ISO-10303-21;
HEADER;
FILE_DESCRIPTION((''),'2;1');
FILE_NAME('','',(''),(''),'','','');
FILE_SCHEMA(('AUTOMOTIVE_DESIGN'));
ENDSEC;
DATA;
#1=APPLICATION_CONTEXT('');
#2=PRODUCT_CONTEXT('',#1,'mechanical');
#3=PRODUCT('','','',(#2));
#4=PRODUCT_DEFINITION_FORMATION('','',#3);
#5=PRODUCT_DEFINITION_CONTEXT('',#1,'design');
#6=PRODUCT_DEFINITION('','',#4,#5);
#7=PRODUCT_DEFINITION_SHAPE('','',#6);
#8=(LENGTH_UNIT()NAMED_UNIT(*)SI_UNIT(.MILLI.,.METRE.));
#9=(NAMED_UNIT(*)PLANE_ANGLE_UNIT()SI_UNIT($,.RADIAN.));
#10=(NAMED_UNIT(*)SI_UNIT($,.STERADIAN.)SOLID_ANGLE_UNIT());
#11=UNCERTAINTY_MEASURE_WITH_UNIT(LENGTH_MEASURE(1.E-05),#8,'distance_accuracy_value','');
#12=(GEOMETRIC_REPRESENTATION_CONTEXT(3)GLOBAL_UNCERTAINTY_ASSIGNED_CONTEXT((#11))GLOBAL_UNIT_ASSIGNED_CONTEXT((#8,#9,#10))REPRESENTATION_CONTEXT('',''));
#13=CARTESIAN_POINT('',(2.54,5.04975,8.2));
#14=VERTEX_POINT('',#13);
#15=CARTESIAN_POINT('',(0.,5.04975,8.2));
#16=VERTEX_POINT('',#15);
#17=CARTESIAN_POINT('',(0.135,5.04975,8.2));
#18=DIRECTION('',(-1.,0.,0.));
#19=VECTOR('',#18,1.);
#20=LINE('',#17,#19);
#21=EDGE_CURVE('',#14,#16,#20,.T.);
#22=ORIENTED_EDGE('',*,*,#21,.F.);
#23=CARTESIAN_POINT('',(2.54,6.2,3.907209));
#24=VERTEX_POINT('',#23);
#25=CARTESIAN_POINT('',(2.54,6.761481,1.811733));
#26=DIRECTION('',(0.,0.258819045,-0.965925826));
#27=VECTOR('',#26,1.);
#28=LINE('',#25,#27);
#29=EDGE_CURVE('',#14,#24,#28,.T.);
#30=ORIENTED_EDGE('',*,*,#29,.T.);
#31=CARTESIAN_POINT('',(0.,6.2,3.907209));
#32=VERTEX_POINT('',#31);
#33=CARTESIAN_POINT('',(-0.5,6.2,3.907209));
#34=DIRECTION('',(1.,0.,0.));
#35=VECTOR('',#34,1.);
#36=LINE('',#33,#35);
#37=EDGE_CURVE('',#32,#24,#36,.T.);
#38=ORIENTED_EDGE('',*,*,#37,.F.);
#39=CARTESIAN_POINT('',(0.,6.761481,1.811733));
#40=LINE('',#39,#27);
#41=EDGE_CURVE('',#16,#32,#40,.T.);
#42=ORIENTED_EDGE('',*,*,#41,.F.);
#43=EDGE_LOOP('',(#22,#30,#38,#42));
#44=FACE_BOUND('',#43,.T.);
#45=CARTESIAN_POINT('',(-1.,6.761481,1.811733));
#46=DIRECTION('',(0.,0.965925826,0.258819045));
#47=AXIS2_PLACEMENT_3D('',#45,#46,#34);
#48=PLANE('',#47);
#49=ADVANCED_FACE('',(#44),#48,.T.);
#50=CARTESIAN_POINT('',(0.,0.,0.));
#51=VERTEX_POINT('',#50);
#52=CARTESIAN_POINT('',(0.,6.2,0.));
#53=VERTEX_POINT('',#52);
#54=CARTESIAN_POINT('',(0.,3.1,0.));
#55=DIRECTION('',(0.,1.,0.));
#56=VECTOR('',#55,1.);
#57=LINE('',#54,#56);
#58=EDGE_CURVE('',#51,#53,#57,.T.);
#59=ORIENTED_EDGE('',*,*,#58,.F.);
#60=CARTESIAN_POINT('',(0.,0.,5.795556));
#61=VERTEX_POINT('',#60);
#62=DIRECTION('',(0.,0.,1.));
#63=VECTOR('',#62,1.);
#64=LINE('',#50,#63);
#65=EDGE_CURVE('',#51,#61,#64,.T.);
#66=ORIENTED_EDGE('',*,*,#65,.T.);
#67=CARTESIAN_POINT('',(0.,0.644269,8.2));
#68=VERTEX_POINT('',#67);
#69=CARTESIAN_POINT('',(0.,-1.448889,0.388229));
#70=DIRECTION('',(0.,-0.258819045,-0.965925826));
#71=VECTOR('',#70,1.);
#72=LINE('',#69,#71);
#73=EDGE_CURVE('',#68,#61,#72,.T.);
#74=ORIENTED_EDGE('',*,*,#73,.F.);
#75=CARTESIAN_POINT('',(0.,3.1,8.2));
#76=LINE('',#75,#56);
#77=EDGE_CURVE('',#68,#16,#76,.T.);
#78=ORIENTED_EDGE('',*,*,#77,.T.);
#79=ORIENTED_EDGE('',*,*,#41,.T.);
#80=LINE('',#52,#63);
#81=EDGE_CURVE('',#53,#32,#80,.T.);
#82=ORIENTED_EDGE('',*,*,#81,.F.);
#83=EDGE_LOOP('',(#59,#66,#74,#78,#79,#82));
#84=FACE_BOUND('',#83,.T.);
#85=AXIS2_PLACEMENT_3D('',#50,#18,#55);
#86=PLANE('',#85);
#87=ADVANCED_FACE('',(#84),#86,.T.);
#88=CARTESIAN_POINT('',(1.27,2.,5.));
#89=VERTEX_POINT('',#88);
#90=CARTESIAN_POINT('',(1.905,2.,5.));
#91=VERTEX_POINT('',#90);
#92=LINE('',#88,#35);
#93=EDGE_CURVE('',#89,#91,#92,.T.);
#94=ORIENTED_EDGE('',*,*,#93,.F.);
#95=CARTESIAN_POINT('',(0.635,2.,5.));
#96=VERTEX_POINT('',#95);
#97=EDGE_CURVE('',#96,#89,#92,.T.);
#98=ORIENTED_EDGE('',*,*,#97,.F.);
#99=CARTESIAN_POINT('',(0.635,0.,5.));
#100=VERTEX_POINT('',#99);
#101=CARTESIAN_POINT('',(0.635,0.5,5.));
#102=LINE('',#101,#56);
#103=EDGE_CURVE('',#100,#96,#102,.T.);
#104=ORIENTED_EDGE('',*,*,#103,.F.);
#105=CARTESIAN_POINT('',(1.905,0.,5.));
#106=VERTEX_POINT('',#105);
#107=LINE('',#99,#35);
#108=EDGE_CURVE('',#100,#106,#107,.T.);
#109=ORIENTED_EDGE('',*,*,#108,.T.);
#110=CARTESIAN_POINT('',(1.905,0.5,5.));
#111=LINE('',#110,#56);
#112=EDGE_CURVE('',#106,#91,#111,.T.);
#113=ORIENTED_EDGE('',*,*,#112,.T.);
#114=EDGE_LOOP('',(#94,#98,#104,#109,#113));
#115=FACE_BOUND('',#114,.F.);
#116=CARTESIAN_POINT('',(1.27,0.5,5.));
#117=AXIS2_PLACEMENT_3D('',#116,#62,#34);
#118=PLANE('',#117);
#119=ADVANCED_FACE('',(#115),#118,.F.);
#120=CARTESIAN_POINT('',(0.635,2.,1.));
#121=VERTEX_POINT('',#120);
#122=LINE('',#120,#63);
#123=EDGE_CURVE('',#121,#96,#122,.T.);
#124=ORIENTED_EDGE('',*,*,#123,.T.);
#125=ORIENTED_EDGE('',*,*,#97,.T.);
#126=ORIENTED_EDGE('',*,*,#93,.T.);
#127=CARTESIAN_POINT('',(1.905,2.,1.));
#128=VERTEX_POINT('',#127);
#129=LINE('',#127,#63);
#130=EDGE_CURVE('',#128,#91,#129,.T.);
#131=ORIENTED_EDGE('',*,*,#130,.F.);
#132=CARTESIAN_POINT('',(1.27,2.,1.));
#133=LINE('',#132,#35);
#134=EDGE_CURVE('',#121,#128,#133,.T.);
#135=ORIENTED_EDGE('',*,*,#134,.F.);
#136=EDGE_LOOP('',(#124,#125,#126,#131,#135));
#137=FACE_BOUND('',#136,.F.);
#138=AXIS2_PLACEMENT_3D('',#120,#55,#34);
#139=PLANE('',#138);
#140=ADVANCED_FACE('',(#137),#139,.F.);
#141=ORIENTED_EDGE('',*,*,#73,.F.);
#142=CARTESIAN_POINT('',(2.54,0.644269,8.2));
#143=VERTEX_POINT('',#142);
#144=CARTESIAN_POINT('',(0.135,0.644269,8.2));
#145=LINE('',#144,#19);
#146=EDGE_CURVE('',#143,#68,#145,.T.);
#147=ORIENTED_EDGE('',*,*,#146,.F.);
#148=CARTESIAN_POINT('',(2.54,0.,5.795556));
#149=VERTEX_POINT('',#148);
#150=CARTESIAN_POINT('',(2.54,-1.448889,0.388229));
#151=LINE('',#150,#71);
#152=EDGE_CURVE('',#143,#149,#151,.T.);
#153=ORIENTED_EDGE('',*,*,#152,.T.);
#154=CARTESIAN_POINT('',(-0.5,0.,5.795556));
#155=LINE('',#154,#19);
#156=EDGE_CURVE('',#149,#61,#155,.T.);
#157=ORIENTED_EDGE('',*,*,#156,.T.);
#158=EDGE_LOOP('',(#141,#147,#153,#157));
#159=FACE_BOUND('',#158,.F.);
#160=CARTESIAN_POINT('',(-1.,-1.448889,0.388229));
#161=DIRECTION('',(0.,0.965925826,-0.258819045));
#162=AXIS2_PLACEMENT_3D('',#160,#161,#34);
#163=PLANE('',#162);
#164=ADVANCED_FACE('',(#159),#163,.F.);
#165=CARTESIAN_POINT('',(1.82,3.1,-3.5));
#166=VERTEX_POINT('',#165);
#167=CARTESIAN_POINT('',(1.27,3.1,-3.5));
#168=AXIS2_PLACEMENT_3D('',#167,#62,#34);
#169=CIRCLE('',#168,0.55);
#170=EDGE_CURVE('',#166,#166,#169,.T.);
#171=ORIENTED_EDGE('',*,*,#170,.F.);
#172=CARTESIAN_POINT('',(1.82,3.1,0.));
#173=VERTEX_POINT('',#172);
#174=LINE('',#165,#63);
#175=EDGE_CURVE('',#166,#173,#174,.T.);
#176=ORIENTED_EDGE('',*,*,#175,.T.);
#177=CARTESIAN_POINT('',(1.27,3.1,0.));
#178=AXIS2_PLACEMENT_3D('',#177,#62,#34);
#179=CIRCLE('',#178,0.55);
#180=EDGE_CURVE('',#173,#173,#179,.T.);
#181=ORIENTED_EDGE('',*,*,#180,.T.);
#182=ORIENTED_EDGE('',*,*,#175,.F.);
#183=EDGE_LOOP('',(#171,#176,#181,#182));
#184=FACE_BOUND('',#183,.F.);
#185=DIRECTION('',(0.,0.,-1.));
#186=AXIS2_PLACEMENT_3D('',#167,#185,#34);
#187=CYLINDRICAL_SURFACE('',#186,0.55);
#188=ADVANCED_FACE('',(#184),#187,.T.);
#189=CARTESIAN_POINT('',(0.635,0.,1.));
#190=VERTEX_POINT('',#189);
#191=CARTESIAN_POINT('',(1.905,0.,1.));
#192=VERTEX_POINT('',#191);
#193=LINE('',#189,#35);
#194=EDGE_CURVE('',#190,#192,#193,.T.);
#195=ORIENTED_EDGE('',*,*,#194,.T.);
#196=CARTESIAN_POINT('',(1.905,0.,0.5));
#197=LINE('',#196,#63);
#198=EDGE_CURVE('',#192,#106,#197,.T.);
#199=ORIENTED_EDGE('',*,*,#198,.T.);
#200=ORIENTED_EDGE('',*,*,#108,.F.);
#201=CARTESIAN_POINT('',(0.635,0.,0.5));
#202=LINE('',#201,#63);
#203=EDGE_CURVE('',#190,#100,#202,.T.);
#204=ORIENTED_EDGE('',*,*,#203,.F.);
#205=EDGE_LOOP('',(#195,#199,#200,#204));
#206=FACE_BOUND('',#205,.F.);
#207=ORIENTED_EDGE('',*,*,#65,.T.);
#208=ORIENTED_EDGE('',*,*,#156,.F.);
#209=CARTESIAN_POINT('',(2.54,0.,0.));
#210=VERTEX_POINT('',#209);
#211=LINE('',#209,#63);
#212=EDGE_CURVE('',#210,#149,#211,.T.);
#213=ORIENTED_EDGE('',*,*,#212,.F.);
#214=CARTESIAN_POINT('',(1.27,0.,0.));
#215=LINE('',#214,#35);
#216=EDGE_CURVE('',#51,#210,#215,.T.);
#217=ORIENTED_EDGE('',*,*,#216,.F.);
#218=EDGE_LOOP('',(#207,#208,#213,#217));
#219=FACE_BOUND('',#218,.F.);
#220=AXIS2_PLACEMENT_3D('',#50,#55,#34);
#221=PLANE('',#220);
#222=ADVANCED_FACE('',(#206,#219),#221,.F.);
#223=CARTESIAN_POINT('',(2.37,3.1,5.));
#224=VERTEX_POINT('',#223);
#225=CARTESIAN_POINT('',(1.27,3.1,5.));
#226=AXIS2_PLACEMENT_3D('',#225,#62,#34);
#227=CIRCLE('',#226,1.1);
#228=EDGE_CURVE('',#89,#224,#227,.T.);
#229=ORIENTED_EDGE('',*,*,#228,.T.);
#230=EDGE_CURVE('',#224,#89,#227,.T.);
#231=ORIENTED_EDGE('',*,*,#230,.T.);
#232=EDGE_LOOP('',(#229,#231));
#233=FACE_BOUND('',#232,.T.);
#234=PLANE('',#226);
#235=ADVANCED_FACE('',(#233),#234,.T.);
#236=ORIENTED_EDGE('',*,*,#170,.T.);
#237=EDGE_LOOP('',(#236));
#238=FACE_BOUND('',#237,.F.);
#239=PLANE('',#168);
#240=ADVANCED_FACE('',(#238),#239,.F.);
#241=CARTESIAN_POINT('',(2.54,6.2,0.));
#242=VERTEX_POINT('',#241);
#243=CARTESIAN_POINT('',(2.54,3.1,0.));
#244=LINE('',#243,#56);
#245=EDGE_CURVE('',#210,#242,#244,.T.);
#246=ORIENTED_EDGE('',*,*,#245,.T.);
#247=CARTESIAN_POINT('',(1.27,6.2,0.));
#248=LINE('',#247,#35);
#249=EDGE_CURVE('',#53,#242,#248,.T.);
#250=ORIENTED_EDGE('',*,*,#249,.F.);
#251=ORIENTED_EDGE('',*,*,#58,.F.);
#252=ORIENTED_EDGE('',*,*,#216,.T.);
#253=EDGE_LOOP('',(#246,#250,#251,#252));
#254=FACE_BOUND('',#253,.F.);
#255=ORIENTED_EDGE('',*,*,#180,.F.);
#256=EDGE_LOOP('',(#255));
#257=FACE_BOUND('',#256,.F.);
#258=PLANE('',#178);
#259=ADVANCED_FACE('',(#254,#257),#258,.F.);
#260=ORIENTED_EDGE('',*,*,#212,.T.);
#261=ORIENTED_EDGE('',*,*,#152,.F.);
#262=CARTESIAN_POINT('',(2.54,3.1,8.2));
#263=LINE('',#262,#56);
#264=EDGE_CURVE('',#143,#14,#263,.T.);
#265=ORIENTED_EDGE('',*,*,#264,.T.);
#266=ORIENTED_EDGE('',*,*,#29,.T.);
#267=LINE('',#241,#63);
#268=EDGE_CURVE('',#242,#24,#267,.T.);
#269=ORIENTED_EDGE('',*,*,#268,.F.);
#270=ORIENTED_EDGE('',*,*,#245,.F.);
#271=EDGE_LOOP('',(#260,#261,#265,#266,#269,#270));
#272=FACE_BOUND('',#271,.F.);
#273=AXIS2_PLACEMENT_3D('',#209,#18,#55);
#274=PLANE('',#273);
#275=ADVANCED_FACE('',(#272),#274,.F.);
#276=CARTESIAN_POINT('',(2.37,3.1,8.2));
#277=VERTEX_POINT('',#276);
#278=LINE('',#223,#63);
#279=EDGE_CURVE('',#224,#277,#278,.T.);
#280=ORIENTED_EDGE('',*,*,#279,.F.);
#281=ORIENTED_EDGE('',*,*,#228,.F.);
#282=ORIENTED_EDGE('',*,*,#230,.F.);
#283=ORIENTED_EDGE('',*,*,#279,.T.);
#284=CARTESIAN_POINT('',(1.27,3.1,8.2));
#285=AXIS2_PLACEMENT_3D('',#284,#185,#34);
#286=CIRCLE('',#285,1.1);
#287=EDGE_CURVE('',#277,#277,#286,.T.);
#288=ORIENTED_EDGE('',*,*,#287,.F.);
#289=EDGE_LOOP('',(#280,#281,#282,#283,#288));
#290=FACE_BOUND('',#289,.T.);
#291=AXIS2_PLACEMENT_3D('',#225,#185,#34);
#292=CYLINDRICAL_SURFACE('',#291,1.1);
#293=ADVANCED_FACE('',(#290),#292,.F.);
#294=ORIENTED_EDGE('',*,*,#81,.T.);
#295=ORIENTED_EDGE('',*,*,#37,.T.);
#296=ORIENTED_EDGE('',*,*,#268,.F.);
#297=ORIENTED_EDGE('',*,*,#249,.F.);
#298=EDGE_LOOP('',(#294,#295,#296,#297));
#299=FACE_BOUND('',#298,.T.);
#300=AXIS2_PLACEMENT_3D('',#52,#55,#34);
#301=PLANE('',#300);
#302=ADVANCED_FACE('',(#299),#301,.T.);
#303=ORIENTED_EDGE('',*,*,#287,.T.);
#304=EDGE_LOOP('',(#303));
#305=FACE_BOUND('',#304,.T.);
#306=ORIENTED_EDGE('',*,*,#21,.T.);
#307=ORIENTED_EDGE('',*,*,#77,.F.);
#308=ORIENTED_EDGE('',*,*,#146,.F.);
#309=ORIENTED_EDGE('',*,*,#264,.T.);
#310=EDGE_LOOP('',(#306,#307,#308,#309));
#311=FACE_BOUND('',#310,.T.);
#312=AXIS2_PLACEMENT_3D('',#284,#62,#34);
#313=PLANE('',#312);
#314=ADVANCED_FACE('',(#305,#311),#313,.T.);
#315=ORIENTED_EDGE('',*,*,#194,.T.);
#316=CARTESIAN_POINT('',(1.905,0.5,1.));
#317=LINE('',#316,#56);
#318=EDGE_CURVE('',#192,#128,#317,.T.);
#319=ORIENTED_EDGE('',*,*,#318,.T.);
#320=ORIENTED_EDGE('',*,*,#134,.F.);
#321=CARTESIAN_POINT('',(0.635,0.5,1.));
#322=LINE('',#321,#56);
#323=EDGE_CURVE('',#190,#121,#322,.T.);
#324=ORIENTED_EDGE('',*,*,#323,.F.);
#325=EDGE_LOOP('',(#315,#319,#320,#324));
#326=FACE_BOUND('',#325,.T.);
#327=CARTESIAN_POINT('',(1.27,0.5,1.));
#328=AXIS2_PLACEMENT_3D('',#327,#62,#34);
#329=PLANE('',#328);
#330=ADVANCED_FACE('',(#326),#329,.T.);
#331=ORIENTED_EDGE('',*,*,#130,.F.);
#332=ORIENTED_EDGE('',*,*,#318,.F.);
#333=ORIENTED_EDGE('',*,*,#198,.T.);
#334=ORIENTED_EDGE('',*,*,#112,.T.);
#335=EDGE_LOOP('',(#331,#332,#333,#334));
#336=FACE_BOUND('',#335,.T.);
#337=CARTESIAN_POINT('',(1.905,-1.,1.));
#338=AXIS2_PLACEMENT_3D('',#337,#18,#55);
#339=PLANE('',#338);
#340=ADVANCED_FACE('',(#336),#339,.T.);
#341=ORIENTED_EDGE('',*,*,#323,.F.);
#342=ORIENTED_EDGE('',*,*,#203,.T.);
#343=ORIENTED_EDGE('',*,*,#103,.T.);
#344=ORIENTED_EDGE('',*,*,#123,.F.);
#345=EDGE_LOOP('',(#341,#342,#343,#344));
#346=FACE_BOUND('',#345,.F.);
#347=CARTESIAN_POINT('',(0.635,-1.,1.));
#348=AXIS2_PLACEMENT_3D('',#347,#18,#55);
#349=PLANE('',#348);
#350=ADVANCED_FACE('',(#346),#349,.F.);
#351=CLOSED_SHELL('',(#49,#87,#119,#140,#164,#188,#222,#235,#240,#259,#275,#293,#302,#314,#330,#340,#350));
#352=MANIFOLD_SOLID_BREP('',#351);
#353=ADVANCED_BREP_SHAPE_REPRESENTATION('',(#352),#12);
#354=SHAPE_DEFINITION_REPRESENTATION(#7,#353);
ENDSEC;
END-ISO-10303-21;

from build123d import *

# Parameters (mm, degrees)
CYLINDER001_R           = 0.55
CYLINDER001_DEPTH       = 3.5
CYLINDER_R              = 1.1
CYLINDER_DEPTH          = 3.5
CUBE003_W               = 4
CUBE003_H               = 6
CUBE003_DEPTH           = 9
CUBE003_PLACEMENT_ANGLE = 15
CUBE002_W               = 4
CUBE002_H               = 6
CUBE002_DEPTH           = 8
CUBE002_PLACEMENT_ANGLE = 15
CUBE001_W               = 1.27
CUBE001_H               = 3
CUBE001_DEPTH           = 4
CUBE_W                  = 2.54
CUBE_H                  = 6.2
CUBE_DEPTH              = 8.2


with BuildPart() as cylinder001:
    # cylinder001 → cylinder001 (new body)
    with BuildSketch(Plane(origin=(1.27, 3.1, -3.5), x_dir=(1, 0, 0), z_dir=(0, 0, 1))):
        Circle(CYLINDER001_R)
    extrude(amount=CYLINDER001_DEPTH)


with BuildPart() as cylinder:
    # cylinder → cylinder (new body)
    with BuildSketch(Plane(origin=(1.27, 3.1, 5), x_dir=(1, 0, 0), z_dir=(0, 0, 1))):
        Circle(CYLINDER_R)
    extrude(amount=CYLINDER_DEPTH)


with BuildPart() as cube003:
    # cube003 → cube003 (new body)
    with BuildSketch(Plane.XY):
        with Locations((2, 3)):
            Rectangle(CUBE003_W, CUBE003_H)
    extrude(amount=CUBE003_DEPTH)


with BuildPart() as cube003_1:
    # cube003 placement: moved
    add(cube003.part.moved(Location((-1, -7.244444, 1.941143))).rotate(Axis((-1, -7.244444, 1.941143), (-1, 0, 0)), CUBE003_PLACEMENT_ANGLE))


with BuildPart() as cube002:
    # cube002 → cube002 (new body)
    with BuildSketch(Plane.XY):
        with Locations((2, 3)):
            Rectangle(CUBE002_W, CUBE002_H)
    extrude(amount=CUBE002_DEPTH)


with BuildPart() as cube002_1:
    # cube002 placement: moved
    add(cube002.part.moved(Location((-1, 6.761481, 1.811733))).rotate(Axis((-1, 6.761481, 1.811733), (1, 0, 0)), CUBE002_PLACEMENT_ANGLE))


with BuildPart() as cube001:
    # cube001 → cube001 (new body)
    with BuildSketch(Plane(origin=(0.635, -1, 1), x_dir=(1, 0, 0), z_dir=(0, 0, 1))):
        with Locations((0.635, 1.5)):
            Rectangle(CUBE001_W, CUBE001_H)
    extrude(amount=CUBE001_DEPTH)


with BuildPart() as group:
    # cube → cube (new body)
    with BuildSketch(Plane.XY):
        with Locations((1.27, 3.1)):
            Rectangle(CUBE_W, CUBE_H)
    extrude(amount=CUBE_DEPTH)

    # difference: cut cube001
    add(cube001.part, mode=Mode.SUBTRACT)

    # difference001: cut cube002
    add(cube002_1.part, mode=Mode.SUBTRACT)

    # difference002: cut cube003
    add(cube003_1.part, mode=Mode.SUBTRACT)

    # difference003: cut cylinder
    add(cylinder.part, mode=Mode.SUBTRACT)

    # Group: union cylinder001
    add(cylinder001.part)


solid = group.part
